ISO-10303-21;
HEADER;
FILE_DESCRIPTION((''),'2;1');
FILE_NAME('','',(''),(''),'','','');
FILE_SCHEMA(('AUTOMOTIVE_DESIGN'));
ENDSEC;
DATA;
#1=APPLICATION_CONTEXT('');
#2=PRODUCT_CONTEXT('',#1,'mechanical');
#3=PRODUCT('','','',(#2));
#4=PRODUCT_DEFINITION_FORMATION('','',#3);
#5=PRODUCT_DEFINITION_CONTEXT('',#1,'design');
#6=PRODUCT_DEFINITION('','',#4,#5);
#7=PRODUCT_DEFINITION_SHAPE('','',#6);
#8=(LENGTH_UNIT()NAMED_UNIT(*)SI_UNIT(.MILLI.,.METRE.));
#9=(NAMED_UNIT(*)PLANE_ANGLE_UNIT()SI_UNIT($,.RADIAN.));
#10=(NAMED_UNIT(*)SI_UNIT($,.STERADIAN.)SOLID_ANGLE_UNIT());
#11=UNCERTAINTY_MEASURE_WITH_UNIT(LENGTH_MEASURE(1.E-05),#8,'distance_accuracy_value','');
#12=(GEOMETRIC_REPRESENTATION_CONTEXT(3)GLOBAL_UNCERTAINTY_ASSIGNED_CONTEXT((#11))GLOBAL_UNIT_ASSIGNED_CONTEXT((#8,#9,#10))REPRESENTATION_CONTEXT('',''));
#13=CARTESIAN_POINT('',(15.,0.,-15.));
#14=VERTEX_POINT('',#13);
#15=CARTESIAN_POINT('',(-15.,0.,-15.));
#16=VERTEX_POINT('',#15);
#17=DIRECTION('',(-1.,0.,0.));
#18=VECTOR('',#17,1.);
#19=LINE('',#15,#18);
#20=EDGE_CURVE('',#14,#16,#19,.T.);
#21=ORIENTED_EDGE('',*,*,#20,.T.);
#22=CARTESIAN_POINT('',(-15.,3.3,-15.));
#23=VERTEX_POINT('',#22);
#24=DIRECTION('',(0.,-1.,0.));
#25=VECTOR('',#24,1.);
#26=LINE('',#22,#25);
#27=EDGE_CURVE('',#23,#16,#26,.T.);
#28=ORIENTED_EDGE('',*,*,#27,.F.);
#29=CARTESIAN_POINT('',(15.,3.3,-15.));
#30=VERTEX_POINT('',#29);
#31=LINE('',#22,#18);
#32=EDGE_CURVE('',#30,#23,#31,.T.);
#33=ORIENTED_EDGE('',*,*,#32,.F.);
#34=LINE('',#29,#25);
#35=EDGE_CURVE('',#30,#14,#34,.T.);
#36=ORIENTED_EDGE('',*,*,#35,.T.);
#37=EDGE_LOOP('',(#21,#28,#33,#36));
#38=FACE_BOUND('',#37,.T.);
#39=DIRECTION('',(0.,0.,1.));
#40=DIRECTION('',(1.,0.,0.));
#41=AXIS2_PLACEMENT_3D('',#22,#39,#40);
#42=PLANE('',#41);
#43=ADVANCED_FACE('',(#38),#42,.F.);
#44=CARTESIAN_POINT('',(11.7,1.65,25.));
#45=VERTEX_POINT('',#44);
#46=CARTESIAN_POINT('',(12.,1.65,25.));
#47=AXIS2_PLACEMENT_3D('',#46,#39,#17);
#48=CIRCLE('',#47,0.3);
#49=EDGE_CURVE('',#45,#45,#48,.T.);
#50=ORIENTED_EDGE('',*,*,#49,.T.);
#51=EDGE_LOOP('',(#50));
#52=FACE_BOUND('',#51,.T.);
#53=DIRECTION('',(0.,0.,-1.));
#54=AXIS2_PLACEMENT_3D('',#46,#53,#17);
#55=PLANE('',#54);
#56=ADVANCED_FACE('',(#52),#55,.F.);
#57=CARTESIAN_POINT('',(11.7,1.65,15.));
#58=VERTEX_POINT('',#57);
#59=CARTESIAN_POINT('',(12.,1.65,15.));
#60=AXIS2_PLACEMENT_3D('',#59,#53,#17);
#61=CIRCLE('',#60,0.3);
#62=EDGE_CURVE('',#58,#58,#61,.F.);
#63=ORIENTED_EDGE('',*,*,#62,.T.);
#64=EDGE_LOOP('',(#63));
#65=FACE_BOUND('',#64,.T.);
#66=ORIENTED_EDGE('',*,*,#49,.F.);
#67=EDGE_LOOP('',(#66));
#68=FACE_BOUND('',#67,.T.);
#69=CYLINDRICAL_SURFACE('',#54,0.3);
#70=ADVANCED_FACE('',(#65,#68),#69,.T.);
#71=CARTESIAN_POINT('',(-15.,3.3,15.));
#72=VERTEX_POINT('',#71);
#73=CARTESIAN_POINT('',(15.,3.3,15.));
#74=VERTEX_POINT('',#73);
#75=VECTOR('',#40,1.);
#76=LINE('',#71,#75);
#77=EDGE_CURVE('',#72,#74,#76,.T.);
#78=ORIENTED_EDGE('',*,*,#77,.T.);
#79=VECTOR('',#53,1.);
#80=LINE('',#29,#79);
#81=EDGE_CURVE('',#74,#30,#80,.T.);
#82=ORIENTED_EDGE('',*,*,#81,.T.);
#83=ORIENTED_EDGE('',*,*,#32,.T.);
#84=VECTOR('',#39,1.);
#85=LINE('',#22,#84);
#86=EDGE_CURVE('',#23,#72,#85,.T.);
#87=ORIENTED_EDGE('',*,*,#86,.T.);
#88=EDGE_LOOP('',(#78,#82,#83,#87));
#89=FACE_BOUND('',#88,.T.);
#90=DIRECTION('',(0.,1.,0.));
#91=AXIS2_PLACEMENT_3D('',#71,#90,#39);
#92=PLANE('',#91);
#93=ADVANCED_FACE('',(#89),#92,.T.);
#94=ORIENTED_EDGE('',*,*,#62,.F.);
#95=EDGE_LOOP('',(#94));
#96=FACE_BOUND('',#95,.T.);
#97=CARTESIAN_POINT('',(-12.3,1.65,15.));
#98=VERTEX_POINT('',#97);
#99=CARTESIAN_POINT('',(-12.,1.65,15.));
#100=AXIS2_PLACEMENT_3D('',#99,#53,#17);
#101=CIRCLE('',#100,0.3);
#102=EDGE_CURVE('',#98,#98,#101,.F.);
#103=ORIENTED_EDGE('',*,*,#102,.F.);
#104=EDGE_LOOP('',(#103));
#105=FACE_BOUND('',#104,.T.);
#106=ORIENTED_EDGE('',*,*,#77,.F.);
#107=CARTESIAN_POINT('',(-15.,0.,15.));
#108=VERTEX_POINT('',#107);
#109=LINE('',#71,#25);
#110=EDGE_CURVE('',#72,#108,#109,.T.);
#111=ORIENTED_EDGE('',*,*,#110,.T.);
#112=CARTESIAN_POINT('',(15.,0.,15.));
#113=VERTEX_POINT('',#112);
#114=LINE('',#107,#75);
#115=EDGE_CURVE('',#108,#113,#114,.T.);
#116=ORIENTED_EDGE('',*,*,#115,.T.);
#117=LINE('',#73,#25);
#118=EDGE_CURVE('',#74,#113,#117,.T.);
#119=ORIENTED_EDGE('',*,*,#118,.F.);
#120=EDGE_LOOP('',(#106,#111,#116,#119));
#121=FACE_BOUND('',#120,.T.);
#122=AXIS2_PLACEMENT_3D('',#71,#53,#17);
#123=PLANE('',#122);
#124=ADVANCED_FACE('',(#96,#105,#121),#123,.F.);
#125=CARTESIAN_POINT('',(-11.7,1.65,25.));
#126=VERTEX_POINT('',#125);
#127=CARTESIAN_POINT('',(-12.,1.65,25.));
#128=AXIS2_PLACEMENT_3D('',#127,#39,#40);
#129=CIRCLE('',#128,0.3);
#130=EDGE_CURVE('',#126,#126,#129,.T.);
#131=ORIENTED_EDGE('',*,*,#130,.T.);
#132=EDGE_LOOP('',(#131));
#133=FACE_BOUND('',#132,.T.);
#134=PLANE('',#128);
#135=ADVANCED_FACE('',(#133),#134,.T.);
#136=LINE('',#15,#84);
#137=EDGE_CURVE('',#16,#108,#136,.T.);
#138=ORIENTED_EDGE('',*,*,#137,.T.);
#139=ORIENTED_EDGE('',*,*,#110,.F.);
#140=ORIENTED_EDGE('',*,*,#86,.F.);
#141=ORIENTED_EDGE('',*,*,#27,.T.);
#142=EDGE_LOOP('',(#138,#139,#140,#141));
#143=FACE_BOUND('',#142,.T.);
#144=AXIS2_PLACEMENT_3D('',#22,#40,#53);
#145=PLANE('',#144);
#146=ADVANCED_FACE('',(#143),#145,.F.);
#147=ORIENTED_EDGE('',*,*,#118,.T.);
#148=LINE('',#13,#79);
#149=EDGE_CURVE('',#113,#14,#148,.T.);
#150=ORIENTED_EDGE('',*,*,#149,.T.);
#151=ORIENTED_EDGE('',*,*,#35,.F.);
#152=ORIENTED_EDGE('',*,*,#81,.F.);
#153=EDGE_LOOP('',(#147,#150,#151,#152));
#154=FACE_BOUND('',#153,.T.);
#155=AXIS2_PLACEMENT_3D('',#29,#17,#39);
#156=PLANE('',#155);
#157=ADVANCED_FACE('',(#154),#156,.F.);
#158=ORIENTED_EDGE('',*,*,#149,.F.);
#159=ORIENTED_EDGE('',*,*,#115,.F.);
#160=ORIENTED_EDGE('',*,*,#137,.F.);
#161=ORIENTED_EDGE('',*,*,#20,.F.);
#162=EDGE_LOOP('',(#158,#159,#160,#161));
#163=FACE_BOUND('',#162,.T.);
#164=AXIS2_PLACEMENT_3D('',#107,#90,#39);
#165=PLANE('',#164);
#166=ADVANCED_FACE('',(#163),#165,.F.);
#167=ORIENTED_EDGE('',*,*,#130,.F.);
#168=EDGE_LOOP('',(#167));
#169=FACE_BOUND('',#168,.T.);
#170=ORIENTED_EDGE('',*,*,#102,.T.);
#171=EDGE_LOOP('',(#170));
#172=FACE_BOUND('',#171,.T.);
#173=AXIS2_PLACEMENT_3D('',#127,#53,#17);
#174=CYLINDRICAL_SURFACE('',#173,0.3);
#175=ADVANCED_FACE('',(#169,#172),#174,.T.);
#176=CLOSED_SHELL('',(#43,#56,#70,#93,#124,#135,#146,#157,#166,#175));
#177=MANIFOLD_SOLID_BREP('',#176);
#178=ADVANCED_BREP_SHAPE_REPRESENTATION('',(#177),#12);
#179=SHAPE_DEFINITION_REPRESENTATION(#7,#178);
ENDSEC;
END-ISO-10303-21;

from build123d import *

# Parameters (mm, degrees)
SKETCH_1_W      = 30
SKETCH_1_H      = 30
EXTRUDE_1_DEPTH = 3.3
SKETCH_2_R      = 0.3
EXTRUDE_2_DEPTH = 10


with BuildPart() as part:
    # 草图1 → 拉伸1 (new body)
    with BuildSketch(Plane(origin=(0, 0, 0), x_dir=(1, 0, 0), z_dir=(0, 1, 0))):
        Rectangle(SKETCH_1_W, SKETCH_1_H)
    extrude(amount=EXTRUDE_1_DEPTH)

    # 草图2 → 拉伸2 (add)
    with BuildSketch(Plane.XY.offset(15)):
        with Locations(Location((-12, 1.65, 0), (0, 0, 180))):
            Circle(SKETCH_2_R)
        with Locations(Location((12, 1.65, 0), (0, 0, 180))):
            Circle(SKETCH_2_R)
    extrude(amount=EXTRUDE_2_DEPTH)


solid = part.part
